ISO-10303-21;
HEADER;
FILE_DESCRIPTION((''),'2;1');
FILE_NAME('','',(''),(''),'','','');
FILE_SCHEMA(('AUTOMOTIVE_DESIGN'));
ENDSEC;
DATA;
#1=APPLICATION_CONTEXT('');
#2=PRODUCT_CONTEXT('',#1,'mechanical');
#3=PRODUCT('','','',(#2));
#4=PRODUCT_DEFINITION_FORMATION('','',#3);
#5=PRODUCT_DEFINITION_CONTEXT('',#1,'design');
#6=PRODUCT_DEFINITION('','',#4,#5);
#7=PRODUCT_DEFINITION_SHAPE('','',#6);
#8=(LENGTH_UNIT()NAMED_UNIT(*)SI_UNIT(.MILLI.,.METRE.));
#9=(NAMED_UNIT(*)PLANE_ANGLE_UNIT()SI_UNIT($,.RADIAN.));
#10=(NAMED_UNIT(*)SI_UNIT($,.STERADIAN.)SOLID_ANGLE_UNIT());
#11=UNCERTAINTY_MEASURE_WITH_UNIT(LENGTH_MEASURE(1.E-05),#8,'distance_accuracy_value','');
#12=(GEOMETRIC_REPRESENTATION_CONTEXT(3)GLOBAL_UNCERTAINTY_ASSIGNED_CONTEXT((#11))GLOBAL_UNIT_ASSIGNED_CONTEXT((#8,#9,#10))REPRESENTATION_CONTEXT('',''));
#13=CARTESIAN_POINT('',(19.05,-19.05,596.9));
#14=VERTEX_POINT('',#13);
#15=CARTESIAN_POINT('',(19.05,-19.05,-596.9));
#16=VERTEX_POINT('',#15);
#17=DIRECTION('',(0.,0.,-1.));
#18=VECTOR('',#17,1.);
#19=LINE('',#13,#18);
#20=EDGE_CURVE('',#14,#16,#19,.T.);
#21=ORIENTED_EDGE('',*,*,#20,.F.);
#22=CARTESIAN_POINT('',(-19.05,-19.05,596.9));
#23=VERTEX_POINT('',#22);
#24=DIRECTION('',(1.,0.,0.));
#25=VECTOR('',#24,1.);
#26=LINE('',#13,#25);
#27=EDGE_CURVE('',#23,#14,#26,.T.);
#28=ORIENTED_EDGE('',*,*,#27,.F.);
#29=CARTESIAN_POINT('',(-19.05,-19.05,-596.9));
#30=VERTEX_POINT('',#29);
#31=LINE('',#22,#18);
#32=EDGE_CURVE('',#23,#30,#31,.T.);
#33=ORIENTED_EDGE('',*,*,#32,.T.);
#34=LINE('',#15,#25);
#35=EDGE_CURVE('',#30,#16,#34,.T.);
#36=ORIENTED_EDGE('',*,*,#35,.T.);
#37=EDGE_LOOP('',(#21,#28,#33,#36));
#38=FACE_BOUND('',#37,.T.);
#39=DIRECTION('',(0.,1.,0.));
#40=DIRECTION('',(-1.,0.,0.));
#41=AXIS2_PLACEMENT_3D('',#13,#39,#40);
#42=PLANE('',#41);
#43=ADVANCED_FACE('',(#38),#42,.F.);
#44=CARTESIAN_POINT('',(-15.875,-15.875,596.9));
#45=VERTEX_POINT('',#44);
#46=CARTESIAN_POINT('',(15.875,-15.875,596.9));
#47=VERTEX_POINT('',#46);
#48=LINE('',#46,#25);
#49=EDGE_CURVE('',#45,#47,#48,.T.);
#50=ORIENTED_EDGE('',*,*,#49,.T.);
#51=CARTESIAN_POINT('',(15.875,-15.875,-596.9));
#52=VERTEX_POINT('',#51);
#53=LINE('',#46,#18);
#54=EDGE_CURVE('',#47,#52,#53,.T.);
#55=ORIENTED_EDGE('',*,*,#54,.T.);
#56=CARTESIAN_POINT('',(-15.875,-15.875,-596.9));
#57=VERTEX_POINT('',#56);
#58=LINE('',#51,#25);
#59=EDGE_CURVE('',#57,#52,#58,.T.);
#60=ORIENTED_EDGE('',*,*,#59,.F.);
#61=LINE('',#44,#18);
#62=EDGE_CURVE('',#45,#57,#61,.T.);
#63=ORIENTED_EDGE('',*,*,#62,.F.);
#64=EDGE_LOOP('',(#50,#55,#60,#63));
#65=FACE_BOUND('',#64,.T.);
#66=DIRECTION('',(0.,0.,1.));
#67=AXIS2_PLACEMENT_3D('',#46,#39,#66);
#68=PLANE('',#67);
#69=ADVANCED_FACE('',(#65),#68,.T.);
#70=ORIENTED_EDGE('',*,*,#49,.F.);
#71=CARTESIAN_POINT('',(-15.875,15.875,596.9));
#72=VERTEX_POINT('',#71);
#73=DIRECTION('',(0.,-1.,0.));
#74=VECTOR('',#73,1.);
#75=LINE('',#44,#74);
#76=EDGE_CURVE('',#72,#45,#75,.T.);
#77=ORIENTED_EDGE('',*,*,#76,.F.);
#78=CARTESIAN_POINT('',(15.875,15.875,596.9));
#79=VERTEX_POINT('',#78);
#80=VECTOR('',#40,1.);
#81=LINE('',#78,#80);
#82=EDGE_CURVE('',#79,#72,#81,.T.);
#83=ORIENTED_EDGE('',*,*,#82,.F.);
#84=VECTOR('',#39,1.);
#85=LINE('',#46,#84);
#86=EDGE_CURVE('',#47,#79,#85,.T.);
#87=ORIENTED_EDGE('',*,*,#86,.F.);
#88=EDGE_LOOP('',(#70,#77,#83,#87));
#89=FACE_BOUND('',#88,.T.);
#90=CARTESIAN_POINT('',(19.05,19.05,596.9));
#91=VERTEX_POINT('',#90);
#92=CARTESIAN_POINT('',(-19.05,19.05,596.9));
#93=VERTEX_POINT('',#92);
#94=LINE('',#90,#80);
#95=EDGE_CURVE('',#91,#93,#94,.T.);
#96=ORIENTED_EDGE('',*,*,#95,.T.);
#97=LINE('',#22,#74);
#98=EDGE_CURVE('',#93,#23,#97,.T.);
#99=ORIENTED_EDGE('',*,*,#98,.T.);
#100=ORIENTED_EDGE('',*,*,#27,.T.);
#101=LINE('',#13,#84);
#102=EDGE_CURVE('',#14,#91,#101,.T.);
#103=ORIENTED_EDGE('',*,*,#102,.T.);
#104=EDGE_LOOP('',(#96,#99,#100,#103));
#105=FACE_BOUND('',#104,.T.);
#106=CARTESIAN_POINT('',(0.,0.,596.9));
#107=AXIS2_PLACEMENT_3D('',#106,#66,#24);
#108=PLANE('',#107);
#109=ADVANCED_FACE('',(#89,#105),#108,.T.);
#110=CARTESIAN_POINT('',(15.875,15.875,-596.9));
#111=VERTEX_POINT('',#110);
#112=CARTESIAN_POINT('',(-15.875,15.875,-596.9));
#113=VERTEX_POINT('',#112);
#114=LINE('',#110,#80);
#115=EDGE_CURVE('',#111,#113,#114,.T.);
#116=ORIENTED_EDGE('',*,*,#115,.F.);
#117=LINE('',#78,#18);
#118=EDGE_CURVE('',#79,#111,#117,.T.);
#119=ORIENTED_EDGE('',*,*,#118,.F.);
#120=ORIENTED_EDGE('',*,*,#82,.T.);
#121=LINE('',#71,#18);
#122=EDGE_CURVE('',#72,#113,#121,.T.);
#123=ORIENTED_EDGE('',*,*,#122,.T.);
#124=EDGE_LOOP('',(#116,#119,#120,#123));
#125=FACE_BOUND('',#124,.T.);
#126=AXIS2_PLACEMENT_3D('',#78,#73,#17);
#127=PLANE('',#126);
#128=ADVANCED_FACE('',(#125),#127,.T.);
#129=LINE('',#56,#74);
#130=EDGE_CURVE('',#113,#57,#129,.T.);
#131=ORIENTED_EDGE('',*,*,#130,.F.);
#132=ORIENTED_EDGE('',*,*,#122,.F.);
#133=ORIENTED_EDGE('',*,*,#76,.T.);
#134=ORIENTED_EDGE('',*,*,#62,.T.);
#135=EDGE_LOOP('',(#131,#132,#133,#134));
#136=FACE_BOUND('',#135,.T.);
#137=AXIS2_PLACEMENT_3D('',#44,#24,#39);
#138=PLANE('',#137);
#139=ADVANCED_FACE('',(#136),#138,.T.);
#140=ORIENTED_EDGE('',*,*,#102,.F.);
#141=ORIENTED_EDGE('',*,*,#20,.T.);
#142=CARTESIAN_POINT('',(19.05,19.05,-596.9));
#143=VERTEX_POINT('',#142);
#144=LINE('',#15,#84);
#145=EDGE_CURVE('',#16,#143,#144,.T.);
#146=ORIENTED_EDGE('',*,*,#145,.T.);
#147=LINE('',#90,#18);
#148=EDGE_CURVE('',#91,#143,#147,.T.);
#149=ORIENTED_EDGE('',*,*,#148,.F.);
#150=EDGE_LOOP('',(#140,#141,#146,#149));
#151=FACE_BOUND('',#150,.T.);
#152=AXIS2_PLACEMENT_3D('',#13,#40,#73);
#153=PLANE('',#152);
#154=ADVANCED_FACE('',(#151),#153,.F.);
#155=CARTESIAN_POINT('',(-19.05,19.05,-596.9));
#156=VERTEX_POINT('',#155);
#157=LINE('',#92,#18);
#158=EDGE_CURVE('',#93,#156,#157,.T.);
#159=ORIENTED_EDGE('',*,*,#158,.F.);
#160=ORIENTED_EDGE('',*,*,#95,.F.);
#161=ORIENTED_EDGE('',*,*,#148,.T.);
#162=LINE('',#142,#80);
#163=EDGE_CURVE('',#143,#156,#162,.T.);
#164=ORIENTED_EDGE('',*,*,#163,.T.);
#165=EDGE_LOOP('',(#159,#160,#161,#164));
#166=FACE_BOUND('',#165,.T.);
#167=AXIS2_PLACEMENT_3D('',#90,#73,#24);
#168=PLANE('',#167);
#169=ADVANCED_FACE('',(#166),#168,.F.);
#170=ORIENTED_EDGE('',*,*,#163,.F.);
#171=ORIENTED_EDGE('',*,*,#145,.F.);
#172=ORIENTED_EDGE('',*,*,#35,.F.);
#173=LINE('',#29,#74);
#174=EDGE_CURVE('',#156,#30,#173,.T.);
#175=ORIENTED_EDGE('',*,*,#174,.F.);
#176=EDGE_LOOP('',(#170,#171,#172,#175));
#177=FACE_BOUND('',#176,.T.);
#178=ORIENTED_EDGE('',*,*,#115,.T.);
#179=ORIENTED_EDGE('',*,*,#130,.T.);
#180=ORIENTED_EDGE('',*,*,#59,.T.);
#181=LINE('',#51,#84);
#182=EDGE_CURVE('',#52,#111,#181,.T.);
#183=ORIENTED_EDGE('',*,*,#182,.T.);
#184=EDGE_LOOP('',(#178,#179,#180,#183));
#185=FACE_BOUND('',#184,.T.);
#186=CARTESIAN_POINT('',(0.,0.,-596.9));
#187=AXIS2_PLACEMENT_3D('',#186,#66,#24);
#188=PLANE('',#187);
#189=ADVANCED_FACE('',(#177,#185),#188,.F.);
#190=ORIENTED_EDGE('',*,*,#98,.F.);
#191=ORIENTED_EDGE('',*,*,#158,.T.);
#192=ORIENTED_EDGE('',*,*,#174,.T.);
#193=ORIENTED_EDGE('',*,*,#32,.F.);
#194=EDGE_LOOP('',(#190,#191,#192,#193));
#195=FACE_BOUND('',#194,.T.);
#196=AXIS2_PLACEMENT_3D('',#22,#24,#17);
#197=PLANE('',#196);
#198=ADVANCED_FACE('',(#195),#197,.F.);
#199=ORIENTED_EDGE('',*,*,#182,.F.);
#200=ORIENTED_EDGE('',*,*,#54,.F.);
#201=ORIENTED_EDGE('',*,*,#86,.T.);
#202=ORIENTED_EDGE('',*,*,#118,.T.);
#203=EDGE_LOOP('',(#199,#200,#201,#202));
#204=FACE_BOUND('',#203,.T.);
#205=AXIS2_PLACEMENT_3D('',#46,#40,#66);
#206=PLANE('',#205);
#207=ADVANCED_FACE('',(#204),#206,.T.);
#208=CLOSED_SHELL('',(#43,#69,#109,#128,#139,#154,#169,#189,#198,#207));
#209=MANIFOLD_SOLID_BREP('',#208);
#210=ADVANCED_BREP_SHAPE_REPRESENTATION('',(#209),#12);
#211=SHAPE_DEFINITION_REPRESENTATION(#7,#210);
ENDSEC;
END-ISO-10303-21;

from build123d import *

# Parameters (mm, degrees)
BOSS_EXTRUDE1_DEPTH      = 596.9
BOSS_EXTRUDE1_DEPTH_BACK = 596.9
SKETCH3_W                = 38.1
SKETCH3_H                = 38.1
SKETCH3_W_2              = 31.75
SKETCH3_H_2              = 31.75


with BuildPart() as part:
    # Sketch3 → Boss-Extrude1 (new, two sides: drawn at the far end of the back side and taken through both)
    with BuildSketch(Plane.XY.offset(-BOSS_EXTRUDE1_DEPTH_BACK)):
        Rectangle(SKETCH3_W, SKETCH3_H)
        Rectangle(SKETCH3_W_2, SKETCH3_H_2, mode=Mode.SUBTRACT)
    extrude(amount=BOSS_EXTRUDE1_DEPTH + BOSS_EXTRUDE1_DEPTH_BACK)


solid = part.part
